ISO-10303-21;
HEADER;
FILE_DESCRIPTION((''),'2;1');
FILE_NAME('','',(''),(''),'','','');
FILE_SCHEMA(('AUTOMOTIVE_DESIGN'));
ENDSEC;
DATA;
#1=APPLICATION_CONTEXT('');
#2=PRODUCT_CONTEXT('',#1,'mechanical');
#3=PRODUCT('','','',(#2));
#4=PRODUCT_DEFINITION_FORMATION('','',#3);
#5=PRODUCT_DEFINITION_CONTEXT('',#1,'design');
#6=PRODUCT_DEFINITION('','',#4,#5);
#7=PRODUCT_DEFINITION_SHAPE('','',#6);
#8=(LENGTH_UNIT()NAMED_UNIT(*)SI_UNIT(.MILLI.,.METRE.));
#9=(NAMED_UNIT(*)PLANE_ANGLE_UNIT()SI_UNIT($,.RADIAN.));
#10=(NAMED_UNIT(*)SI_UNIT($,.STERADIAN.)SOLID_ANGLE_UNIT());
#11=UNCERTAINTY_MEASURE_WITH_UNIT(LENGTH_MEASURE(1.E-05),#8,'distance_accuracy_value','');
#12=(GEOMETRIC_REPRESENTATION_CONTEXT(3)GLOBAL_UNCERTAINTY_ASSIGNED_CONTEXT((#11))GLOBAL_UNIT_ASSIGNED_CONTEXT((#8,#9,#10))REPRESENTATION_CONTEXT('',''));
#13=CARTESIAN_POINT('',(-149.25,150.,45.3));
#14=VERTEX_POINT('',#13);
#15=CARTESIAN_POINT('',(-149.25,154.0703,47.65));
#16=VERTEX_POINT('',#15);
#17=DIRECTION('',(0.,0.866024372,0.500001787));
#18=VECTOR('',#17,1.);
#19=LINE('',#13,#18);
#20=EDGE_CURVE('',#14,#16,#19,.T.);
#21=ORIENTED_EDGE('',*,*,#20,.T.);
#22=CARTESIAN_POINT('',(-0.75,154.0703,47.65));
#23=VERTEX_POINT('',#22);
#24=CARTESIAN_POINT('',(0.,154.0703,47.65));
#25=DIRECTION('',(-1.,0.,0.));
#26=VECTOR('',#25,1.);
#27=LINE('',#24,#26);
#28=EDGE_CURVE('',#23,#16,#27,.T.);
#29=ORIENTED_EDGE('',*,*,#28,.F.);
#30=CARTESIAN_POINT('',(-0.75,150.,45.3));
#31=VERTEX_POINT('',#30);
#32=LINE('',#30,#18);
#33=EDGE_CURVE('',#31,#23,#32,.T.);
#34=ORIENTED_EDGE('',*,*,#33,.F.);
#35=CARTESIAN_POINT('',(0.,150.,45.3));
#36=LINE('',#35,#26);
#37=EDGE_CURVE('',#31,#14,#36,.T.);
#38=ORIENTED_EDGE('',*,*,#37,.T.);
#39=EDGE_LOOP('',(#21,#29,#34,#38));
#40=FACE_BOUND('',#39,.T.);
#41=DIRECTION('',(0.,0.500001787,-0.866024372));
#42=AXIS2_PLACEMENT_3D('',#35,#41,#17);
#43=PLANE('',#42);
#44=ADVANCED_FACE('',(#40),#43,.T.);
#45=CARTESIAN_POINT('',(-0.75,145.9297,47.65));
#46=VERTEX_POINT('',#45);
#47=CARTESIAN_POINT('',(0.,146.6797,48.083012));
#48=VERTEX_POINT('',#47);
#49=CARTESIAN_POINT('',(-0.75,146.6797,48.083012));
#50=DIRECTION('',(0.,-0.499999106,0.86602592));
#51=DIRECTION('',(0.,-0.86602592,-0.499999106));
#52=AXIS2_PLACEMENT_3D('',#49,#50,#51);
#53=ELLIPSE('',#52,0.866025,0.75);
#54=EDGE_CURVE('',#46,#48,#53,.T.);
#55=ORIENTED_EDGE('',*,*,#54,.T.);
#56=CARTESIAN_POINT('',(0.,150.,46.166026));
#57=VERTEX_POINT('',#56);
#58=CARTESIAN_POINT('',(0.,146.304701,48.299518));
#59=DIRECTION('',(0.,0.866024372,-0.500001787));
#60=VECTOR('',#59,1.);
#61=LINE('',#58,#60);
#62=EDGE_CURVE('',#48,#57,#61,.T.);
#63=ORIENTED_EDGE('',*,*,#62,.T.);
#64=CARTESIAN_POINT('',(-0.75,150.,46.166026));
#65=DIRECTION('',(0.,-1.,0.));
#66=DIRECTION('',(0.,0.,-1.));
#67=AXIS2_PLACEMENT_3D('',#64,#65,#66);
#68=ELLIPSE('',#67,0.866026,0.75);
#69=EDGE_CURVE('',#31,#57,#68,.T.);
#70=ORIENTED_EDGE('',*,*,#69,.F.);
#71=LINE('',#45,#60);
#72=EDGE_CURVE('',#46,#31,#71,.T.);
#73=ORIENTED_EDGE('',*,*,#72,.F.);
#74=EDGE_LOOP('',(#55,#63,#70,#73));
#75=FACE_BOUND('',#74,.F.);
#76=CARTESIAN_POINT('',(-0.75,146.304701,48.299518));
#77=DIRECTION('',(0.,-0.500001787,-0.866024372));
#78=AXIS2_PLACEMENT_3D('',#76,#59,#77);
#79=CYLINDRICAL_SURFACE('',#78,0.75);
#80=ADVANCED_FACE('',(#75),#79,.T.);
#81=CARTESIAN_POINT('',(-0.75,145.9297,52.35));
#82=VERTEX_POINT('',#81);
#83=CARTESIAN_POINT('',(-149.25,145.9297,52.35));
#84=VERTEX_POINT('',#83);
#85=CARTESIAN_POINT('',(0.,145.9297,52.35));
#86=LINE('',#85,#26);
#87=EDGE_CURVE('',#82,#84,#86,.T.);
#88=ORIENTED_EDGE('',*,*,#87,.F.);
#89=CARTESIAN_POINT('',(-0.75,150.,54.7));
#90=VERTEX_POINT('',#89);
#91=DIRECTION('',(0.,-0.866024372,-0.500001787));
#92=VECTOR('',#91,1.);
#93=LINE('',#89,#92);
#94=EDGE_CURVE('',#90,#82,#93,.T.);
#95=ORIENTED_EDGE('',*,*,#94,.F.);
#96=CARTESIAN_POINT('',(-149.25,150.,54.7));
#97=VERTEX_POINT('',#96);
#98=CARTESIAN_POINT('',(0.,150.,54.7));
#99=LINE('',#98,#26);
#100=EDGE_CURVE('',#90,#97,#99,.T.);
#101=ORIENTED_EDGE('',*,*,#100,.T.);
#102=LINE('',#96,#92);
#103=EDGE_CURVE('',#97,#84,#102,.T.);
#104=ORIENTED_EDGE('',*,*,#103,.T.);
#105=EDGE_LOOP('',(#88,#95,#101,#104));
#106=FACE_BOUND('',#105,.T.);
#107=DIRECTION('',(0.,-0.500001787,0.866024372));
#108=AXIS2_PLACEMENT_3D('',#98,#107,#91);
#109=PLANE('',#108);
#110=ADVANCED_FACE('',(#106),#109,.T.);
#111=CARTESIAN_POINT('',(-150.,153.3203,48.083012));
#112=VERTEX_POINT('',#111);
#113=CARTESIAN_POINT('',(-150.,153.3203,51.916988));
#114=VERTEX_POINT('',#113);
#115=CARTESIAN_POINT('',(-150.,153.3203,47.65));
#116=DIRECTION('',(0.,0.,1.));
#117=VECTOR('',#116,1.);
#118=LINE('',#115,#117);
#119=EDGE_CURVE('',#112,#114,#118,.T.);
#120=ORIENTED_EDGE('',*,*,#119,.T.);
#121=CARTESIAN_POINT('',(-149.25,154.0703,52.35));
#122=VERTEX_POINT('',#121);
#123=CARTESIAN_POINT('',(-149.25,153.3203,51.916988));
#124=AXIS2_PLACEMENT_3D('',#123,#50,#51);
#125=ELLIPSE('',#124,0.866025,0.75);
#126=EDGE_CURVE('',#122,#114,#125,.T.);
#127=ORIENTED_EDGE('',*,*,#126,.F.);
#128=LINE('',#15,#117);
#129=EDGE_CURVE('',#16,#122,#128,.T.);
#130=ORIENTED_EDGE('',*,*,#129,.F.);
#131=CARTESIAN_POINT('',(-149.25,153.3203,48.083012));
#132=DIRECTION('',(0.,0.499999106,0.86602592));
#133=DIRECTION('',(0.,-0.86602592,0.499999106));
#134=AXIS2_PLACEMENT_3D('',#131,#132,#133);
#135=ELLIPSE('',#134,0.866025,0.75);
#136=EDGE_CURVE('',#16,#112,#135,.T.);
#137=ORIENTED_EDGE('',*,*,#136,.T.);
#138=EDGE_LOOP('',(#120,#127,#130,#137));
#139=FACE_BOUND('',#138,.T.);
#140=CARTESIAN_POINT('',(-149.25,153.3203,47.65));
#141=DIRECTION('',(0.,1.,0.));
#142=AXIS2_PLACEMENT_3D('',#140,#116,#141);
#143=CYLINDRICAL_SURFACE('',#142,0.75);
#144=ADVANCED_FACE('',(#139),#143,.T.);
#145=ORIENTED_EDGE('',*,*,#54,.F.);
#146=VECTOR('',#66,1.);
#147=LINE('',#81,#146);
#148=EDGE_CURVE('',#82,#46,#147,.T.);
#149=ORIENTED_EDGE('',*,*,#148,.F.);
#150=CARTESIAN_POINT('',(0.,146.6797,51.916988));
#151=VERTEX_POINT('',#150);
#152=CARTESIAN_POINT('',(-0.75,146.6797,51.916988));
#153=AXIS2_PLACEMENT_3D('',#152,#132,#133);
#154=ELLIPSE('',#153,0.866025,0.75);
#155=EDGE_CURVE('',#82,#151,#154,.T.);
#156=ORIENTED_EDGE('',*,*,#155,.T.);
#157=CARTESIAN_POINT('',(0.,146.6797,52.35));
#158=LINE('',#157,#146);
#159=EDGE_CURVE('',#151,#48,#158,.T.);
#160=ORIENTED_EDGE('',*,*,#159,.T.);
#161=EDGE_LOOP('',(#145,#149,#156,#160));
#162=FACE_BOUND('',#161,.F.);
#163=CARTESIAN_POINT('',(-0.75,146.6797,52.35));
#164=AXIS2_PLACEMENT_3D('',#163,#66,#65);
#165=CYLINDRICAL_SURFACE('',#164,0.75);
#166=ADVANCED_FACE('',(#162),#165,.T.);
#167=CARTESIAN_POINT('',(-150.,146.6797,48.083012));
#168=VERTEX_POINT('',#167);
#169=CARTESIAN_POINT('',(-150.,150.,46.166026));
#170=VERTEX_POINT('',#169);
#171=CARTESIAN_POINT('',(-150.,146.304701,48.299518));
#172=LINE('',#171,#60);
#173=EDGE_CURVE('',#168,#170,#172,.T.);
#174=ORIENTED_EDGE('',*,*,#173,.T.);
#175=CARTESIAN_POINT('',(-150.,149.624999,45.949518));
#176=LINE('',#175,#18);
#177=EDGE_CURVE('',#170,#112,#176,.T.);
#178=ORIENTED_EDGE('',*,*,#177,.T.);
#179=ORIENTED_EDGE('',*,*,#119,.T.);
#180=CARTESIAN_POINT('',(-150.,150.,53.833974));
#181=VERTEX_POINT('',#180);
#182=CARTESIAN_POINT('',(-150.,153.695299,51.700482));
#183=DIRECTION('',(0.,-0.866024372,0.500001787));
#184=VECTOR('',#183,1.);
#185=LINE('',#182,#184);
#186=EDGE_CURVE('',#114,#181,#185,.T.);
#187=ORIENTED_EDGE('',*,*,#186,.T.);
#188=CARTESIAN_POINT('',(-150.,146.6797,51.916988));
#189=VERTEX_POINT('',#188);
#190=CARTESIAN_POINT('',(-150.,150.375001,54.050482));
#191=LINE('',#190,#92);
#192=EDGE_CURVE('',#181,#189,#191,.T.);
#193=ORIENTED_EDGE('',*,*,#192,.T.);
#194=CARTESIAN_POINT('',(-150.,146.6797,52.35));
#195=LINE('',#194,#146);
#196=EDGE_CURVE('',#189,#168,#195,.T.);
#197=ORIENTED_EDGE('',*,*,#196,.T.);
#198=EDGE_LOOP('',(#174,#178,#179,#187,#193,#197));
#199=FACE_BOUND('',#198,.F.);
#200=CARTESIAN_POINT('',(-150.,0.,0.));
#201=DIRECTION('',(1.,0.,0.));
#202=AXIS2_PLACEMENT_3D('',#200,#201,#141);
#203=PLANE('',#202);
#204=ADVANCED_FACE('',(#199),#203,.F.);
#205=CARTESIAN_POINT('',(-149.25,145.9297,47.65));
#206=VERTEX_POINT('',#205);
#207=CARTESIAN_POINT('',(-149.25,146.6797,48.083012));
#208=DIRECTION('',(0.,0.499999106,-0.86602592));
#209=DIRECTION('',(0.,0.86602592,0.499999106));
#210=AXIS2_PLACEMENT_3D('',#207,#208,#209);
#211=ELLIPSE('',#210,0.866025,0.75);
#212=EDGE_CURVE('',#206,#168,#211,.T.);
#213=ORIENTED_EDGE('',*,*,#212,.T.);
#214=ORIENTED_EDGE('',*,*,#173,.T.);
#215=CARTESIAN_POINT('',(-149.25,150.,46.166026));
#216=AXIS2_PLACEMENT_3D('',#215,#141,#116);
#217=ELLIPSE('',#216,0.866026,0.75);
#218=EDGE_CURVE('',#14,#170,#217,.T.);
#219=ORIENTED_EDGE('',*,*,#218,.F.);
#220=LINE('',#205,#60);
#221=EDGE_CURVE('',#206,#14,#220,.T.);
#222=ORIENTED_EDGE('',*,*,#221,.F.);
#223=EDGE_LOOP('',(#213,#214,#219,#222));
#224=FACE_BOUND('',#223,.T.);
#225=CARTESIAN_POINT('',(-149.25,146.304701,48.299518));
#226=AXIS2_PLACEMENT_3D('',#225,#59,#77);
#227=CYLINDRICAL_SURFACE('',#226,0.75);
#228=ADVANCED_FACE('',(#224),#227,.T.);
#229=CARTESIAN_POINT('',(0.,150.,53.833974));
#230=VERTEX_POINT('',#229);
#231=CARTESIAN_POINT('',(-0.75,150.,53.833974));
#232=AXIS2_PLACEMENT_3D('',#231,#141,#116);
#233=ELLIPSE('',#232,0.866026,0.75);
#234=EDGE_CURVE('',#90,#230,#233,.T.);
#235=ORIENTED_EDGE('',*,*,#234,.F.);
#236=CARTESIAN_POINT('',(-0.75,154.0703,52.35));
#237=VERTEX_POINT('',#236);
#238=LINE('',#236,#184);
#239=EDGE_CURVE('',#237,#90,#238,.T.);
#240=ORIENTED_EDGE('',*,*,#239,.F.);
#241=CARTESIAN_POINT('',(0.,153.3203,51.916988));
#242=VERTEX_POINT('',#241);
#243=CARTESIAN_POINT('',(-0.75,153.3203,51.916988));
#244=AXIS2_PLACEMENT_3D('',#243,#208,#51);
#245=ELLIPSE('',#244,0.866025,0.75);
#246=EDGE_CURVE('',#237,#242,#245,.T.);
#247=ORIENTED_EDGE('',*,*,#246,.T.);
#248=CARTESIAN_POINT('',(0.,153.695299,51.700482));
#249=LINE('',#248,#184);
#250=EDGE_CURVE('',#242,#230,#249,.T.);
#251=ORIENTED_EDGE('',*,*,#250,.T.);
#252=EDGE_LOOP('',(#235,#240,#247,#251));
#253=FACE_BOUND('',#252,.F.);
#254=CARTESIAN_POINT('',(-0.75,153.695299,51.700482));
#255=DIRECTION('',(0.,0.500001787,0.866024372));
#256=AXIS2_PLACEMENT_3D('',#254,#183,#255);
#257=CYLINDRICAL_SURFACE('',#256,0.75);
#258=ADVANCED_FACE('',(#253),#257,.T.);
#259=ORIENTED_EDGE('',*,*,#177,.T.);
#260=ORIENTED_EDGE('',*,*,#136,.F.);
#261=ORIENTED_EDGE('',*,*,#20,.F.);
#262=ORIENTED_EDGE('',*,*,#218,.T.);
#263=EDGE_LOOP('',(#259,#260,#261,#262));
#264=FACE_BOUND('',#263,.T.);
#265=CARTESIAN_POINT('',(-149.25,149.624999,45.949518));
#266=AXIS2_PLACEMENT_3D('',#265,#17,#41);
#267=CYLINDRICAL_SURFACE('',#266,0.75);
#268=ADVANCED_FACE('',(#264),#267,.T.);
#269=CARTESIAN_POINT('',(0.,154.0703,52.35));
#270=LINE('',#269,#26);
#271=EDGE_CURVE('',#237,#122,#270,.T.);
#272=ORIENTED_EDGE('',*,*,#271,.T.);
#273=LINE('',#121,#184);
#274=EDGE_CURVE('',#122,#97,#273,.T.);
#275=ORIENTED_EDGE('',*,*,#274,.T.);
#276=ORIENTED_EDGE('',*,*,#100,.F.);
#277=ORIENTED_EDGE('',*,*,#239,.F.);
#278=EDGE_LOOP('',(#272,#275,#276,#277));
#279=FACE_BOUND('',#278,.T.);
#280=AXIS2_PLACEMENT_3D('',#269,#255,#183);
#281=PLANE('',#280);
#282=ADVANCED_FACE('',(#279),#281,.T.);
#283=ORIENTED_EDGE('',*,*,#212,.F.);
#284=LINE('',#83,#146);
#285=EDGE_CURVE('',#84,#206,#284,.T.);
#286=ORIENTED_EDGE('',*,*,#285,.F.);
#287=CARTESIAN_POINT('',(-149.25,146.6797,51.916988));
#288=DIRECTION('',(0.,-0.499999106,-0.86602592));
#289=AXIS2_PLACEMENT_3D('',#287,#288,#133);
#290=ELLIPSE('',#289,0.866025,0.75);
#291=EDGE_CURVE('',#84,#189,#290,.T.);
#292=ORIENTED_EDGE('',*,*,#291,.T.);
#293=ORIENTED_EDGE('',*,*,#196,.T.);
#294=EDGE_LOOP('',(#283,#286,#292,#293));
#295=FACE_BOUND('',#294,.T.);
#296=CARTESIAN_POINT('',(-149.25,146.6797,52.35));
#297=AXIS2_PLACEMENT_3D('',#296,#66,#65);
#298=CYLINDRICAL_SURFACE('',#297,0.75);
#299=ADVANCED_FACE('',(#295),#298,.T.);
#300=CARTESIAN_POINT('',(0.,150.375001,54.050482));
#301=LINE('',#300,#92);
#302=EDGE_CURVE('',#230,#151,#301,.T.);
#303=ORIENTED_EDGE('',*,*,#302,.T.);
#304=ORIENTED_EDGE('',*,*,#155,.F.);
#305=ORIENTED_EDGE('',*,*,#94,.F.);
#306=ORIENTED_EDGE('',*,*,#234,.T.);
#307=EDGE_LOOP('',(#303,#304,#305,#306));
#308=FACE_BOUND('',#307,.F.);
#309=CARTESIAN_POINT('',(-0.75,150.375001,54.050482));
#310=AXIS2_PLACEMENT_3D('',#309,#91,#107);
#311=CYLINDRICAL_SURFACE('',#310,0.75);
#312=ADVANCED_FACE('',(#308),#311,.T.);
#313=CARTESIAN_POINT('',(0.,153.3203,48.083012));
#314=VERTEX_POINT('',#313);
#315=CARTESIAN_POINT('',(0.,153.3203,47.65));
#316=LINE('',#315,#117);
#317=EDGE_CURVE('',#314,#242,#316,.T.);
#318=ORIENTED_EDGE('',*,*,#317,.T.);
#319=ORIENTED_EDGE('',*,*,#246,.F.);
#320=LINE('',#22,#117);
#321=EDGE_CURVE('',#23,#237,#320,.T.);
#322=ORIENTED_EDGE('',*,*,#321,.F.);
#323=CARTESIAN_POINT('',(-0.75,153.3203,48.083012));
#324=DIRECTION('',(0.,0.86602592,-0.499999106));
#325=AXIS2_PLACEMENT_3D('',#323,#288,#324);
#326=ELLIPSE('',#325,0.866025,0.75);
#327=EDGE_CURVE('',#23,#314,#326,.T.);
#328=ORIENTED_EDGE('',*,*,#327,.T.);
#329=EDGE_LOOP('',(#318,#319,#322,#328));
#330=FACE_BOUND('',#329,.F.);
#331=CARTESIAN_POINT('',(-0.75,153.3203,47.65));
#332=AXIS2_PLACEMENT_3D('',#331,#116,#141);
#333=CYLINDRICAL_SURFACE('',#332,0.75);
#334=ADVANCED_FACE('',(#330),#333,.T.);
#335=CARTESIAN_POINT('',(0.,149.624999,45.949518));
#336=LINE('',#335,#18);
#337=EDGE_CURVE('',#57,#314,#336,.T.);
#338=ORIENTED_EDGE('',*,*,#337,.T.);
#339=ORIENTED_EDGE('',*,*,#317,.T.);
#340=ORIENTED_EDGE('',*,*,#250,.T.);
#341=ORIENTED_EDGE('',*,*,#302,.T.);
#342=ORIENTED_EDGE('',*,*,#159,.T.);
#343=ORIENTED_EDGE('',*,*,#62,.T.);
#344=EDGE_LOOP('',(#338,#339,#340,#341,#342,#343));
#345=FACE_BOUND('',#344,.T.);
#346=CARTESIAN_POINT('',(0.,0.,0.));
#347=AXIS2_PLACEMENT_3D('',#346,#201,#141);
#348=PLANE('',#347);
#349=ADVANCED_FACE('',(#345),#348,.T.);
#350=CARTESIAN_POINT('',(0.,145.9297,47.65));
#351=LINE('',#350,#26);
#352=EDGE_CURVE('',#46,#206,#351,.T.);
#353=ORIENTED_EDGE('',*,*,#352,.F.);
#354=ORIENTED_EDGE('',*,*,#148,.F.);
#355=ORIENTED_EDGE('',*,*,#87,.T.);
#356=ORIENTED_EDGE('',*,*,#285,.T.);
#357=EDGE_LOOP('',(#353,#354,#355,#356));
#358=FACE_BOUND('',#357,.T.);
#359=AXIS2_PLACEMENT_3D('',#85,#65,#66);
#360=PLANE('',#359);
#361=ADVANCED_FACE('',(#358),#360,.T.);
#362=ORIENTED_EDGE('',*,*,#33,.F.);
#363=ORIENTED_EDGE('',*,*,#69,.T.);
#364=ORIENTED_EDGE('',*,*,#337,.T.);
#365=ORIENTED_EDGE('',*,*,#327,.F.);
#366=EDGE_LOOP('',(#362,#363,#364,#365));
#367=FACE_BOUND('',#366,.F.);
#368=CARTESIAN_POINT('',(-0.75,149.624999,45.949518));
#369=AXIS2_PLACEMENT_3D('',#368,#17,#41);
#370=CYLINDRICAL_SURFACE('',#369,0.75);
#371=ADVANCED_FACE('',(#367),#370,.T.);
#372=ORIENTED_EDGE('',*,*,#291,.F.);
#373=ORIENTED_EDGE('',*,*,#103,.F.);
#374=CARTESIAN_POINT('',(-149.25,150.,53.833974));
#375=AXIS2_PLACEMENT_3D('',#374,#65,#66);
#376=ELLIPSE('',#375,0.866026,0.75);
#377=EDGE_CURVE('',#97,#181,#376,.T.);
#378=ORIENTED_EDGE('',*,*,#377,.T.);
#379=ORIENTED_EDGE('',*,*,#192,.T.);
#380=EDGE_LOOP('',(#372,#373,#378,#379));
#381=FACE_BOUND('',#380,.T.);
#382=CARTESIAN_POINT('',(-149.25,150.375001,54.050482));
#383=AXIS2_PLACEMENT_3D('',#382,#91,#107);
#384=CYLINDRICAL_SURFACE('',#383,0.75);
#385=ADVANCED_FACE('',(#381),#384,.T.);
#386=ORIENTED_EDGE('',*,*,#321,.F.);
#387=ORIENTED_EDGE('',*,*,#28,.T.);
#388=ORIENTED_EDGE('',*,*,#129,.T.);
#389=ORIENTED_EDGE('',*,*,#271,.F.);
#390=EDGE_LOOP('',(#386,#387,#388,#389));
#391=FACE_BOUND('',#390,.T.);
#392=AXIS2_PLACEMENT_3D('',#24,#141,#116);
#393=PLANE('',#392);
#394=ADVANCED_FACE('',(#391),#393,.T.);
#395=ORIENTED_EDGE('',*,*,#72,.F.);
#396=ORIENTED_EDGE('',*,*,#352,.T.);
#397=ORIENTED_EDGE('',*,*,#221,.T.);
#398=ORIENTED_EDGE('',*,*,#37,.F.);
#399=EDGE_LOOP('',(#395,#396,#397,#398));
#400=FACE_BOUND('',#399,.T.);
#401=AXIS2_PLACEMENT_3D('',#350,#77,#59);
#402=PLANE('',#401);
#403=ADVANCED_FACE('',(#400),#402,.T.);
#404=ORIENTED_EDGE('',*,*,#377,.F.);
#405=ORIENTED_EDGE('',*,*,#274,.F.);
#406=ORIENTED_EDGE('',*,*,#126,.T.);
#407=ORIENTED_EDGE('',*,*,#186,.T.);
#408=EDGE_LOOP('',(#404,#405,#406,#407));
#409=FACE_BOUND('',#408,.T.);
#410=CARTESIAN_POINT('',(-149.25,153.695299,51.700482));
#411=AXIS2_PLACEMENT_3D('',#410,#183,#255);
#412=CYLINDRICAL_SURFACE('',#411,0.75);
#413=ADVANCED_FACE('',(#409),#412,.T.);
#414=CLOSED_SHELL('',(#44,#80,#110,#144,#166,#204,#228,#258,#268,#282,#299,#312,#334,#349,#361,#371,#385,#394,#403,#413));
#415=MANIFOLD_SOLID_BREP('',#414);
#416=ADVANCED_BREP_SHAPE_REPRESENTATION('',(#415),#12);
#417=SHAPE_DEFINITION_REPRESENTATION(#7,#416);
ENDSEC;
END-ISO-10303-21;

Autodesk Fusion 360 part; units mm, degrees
sketch "main_driver" plane through (0, 0, 0) normal (1, 0, 0) x (0, 1, 0)
  line L0 (150, 45.3) -> (154.0703, 47.65)
  line L1 (154.0703, 47.65) -> (154.0703, 52.35)
  line L2 (154.0703, 52.35) -> (150, 54.7)
  line L3 (150, 54.7) -> (145.9297, 52.35)
  line L4 (145.9297, 52.35) -> (145.9297, 47.65)
  line L5 (145.9297, 47.65) -> (150, 45.3)
  point P0 (150, 50)
  dimension "d1" = 4.7
extrude "Extrude1" add sketch "main_driver" against normal blind 150
fillet "Fillet1" radius 0.75 12 edges at (-150, 147.9648, 53.525) (-150, 152.0352, 53.525) (-150, 154.0703, 50) (-150, 152.0352, 46.475) (-150, 147.9648, 46.475) (-150, 145.9297, 50) (0, 152.0352, 53.525) (0, 147.9648, 53.525) (0, 145.9297, 50) (0, 147.9648, 46.475) (0, 152.0352, 46.475) (0, 154.0703, 50)
